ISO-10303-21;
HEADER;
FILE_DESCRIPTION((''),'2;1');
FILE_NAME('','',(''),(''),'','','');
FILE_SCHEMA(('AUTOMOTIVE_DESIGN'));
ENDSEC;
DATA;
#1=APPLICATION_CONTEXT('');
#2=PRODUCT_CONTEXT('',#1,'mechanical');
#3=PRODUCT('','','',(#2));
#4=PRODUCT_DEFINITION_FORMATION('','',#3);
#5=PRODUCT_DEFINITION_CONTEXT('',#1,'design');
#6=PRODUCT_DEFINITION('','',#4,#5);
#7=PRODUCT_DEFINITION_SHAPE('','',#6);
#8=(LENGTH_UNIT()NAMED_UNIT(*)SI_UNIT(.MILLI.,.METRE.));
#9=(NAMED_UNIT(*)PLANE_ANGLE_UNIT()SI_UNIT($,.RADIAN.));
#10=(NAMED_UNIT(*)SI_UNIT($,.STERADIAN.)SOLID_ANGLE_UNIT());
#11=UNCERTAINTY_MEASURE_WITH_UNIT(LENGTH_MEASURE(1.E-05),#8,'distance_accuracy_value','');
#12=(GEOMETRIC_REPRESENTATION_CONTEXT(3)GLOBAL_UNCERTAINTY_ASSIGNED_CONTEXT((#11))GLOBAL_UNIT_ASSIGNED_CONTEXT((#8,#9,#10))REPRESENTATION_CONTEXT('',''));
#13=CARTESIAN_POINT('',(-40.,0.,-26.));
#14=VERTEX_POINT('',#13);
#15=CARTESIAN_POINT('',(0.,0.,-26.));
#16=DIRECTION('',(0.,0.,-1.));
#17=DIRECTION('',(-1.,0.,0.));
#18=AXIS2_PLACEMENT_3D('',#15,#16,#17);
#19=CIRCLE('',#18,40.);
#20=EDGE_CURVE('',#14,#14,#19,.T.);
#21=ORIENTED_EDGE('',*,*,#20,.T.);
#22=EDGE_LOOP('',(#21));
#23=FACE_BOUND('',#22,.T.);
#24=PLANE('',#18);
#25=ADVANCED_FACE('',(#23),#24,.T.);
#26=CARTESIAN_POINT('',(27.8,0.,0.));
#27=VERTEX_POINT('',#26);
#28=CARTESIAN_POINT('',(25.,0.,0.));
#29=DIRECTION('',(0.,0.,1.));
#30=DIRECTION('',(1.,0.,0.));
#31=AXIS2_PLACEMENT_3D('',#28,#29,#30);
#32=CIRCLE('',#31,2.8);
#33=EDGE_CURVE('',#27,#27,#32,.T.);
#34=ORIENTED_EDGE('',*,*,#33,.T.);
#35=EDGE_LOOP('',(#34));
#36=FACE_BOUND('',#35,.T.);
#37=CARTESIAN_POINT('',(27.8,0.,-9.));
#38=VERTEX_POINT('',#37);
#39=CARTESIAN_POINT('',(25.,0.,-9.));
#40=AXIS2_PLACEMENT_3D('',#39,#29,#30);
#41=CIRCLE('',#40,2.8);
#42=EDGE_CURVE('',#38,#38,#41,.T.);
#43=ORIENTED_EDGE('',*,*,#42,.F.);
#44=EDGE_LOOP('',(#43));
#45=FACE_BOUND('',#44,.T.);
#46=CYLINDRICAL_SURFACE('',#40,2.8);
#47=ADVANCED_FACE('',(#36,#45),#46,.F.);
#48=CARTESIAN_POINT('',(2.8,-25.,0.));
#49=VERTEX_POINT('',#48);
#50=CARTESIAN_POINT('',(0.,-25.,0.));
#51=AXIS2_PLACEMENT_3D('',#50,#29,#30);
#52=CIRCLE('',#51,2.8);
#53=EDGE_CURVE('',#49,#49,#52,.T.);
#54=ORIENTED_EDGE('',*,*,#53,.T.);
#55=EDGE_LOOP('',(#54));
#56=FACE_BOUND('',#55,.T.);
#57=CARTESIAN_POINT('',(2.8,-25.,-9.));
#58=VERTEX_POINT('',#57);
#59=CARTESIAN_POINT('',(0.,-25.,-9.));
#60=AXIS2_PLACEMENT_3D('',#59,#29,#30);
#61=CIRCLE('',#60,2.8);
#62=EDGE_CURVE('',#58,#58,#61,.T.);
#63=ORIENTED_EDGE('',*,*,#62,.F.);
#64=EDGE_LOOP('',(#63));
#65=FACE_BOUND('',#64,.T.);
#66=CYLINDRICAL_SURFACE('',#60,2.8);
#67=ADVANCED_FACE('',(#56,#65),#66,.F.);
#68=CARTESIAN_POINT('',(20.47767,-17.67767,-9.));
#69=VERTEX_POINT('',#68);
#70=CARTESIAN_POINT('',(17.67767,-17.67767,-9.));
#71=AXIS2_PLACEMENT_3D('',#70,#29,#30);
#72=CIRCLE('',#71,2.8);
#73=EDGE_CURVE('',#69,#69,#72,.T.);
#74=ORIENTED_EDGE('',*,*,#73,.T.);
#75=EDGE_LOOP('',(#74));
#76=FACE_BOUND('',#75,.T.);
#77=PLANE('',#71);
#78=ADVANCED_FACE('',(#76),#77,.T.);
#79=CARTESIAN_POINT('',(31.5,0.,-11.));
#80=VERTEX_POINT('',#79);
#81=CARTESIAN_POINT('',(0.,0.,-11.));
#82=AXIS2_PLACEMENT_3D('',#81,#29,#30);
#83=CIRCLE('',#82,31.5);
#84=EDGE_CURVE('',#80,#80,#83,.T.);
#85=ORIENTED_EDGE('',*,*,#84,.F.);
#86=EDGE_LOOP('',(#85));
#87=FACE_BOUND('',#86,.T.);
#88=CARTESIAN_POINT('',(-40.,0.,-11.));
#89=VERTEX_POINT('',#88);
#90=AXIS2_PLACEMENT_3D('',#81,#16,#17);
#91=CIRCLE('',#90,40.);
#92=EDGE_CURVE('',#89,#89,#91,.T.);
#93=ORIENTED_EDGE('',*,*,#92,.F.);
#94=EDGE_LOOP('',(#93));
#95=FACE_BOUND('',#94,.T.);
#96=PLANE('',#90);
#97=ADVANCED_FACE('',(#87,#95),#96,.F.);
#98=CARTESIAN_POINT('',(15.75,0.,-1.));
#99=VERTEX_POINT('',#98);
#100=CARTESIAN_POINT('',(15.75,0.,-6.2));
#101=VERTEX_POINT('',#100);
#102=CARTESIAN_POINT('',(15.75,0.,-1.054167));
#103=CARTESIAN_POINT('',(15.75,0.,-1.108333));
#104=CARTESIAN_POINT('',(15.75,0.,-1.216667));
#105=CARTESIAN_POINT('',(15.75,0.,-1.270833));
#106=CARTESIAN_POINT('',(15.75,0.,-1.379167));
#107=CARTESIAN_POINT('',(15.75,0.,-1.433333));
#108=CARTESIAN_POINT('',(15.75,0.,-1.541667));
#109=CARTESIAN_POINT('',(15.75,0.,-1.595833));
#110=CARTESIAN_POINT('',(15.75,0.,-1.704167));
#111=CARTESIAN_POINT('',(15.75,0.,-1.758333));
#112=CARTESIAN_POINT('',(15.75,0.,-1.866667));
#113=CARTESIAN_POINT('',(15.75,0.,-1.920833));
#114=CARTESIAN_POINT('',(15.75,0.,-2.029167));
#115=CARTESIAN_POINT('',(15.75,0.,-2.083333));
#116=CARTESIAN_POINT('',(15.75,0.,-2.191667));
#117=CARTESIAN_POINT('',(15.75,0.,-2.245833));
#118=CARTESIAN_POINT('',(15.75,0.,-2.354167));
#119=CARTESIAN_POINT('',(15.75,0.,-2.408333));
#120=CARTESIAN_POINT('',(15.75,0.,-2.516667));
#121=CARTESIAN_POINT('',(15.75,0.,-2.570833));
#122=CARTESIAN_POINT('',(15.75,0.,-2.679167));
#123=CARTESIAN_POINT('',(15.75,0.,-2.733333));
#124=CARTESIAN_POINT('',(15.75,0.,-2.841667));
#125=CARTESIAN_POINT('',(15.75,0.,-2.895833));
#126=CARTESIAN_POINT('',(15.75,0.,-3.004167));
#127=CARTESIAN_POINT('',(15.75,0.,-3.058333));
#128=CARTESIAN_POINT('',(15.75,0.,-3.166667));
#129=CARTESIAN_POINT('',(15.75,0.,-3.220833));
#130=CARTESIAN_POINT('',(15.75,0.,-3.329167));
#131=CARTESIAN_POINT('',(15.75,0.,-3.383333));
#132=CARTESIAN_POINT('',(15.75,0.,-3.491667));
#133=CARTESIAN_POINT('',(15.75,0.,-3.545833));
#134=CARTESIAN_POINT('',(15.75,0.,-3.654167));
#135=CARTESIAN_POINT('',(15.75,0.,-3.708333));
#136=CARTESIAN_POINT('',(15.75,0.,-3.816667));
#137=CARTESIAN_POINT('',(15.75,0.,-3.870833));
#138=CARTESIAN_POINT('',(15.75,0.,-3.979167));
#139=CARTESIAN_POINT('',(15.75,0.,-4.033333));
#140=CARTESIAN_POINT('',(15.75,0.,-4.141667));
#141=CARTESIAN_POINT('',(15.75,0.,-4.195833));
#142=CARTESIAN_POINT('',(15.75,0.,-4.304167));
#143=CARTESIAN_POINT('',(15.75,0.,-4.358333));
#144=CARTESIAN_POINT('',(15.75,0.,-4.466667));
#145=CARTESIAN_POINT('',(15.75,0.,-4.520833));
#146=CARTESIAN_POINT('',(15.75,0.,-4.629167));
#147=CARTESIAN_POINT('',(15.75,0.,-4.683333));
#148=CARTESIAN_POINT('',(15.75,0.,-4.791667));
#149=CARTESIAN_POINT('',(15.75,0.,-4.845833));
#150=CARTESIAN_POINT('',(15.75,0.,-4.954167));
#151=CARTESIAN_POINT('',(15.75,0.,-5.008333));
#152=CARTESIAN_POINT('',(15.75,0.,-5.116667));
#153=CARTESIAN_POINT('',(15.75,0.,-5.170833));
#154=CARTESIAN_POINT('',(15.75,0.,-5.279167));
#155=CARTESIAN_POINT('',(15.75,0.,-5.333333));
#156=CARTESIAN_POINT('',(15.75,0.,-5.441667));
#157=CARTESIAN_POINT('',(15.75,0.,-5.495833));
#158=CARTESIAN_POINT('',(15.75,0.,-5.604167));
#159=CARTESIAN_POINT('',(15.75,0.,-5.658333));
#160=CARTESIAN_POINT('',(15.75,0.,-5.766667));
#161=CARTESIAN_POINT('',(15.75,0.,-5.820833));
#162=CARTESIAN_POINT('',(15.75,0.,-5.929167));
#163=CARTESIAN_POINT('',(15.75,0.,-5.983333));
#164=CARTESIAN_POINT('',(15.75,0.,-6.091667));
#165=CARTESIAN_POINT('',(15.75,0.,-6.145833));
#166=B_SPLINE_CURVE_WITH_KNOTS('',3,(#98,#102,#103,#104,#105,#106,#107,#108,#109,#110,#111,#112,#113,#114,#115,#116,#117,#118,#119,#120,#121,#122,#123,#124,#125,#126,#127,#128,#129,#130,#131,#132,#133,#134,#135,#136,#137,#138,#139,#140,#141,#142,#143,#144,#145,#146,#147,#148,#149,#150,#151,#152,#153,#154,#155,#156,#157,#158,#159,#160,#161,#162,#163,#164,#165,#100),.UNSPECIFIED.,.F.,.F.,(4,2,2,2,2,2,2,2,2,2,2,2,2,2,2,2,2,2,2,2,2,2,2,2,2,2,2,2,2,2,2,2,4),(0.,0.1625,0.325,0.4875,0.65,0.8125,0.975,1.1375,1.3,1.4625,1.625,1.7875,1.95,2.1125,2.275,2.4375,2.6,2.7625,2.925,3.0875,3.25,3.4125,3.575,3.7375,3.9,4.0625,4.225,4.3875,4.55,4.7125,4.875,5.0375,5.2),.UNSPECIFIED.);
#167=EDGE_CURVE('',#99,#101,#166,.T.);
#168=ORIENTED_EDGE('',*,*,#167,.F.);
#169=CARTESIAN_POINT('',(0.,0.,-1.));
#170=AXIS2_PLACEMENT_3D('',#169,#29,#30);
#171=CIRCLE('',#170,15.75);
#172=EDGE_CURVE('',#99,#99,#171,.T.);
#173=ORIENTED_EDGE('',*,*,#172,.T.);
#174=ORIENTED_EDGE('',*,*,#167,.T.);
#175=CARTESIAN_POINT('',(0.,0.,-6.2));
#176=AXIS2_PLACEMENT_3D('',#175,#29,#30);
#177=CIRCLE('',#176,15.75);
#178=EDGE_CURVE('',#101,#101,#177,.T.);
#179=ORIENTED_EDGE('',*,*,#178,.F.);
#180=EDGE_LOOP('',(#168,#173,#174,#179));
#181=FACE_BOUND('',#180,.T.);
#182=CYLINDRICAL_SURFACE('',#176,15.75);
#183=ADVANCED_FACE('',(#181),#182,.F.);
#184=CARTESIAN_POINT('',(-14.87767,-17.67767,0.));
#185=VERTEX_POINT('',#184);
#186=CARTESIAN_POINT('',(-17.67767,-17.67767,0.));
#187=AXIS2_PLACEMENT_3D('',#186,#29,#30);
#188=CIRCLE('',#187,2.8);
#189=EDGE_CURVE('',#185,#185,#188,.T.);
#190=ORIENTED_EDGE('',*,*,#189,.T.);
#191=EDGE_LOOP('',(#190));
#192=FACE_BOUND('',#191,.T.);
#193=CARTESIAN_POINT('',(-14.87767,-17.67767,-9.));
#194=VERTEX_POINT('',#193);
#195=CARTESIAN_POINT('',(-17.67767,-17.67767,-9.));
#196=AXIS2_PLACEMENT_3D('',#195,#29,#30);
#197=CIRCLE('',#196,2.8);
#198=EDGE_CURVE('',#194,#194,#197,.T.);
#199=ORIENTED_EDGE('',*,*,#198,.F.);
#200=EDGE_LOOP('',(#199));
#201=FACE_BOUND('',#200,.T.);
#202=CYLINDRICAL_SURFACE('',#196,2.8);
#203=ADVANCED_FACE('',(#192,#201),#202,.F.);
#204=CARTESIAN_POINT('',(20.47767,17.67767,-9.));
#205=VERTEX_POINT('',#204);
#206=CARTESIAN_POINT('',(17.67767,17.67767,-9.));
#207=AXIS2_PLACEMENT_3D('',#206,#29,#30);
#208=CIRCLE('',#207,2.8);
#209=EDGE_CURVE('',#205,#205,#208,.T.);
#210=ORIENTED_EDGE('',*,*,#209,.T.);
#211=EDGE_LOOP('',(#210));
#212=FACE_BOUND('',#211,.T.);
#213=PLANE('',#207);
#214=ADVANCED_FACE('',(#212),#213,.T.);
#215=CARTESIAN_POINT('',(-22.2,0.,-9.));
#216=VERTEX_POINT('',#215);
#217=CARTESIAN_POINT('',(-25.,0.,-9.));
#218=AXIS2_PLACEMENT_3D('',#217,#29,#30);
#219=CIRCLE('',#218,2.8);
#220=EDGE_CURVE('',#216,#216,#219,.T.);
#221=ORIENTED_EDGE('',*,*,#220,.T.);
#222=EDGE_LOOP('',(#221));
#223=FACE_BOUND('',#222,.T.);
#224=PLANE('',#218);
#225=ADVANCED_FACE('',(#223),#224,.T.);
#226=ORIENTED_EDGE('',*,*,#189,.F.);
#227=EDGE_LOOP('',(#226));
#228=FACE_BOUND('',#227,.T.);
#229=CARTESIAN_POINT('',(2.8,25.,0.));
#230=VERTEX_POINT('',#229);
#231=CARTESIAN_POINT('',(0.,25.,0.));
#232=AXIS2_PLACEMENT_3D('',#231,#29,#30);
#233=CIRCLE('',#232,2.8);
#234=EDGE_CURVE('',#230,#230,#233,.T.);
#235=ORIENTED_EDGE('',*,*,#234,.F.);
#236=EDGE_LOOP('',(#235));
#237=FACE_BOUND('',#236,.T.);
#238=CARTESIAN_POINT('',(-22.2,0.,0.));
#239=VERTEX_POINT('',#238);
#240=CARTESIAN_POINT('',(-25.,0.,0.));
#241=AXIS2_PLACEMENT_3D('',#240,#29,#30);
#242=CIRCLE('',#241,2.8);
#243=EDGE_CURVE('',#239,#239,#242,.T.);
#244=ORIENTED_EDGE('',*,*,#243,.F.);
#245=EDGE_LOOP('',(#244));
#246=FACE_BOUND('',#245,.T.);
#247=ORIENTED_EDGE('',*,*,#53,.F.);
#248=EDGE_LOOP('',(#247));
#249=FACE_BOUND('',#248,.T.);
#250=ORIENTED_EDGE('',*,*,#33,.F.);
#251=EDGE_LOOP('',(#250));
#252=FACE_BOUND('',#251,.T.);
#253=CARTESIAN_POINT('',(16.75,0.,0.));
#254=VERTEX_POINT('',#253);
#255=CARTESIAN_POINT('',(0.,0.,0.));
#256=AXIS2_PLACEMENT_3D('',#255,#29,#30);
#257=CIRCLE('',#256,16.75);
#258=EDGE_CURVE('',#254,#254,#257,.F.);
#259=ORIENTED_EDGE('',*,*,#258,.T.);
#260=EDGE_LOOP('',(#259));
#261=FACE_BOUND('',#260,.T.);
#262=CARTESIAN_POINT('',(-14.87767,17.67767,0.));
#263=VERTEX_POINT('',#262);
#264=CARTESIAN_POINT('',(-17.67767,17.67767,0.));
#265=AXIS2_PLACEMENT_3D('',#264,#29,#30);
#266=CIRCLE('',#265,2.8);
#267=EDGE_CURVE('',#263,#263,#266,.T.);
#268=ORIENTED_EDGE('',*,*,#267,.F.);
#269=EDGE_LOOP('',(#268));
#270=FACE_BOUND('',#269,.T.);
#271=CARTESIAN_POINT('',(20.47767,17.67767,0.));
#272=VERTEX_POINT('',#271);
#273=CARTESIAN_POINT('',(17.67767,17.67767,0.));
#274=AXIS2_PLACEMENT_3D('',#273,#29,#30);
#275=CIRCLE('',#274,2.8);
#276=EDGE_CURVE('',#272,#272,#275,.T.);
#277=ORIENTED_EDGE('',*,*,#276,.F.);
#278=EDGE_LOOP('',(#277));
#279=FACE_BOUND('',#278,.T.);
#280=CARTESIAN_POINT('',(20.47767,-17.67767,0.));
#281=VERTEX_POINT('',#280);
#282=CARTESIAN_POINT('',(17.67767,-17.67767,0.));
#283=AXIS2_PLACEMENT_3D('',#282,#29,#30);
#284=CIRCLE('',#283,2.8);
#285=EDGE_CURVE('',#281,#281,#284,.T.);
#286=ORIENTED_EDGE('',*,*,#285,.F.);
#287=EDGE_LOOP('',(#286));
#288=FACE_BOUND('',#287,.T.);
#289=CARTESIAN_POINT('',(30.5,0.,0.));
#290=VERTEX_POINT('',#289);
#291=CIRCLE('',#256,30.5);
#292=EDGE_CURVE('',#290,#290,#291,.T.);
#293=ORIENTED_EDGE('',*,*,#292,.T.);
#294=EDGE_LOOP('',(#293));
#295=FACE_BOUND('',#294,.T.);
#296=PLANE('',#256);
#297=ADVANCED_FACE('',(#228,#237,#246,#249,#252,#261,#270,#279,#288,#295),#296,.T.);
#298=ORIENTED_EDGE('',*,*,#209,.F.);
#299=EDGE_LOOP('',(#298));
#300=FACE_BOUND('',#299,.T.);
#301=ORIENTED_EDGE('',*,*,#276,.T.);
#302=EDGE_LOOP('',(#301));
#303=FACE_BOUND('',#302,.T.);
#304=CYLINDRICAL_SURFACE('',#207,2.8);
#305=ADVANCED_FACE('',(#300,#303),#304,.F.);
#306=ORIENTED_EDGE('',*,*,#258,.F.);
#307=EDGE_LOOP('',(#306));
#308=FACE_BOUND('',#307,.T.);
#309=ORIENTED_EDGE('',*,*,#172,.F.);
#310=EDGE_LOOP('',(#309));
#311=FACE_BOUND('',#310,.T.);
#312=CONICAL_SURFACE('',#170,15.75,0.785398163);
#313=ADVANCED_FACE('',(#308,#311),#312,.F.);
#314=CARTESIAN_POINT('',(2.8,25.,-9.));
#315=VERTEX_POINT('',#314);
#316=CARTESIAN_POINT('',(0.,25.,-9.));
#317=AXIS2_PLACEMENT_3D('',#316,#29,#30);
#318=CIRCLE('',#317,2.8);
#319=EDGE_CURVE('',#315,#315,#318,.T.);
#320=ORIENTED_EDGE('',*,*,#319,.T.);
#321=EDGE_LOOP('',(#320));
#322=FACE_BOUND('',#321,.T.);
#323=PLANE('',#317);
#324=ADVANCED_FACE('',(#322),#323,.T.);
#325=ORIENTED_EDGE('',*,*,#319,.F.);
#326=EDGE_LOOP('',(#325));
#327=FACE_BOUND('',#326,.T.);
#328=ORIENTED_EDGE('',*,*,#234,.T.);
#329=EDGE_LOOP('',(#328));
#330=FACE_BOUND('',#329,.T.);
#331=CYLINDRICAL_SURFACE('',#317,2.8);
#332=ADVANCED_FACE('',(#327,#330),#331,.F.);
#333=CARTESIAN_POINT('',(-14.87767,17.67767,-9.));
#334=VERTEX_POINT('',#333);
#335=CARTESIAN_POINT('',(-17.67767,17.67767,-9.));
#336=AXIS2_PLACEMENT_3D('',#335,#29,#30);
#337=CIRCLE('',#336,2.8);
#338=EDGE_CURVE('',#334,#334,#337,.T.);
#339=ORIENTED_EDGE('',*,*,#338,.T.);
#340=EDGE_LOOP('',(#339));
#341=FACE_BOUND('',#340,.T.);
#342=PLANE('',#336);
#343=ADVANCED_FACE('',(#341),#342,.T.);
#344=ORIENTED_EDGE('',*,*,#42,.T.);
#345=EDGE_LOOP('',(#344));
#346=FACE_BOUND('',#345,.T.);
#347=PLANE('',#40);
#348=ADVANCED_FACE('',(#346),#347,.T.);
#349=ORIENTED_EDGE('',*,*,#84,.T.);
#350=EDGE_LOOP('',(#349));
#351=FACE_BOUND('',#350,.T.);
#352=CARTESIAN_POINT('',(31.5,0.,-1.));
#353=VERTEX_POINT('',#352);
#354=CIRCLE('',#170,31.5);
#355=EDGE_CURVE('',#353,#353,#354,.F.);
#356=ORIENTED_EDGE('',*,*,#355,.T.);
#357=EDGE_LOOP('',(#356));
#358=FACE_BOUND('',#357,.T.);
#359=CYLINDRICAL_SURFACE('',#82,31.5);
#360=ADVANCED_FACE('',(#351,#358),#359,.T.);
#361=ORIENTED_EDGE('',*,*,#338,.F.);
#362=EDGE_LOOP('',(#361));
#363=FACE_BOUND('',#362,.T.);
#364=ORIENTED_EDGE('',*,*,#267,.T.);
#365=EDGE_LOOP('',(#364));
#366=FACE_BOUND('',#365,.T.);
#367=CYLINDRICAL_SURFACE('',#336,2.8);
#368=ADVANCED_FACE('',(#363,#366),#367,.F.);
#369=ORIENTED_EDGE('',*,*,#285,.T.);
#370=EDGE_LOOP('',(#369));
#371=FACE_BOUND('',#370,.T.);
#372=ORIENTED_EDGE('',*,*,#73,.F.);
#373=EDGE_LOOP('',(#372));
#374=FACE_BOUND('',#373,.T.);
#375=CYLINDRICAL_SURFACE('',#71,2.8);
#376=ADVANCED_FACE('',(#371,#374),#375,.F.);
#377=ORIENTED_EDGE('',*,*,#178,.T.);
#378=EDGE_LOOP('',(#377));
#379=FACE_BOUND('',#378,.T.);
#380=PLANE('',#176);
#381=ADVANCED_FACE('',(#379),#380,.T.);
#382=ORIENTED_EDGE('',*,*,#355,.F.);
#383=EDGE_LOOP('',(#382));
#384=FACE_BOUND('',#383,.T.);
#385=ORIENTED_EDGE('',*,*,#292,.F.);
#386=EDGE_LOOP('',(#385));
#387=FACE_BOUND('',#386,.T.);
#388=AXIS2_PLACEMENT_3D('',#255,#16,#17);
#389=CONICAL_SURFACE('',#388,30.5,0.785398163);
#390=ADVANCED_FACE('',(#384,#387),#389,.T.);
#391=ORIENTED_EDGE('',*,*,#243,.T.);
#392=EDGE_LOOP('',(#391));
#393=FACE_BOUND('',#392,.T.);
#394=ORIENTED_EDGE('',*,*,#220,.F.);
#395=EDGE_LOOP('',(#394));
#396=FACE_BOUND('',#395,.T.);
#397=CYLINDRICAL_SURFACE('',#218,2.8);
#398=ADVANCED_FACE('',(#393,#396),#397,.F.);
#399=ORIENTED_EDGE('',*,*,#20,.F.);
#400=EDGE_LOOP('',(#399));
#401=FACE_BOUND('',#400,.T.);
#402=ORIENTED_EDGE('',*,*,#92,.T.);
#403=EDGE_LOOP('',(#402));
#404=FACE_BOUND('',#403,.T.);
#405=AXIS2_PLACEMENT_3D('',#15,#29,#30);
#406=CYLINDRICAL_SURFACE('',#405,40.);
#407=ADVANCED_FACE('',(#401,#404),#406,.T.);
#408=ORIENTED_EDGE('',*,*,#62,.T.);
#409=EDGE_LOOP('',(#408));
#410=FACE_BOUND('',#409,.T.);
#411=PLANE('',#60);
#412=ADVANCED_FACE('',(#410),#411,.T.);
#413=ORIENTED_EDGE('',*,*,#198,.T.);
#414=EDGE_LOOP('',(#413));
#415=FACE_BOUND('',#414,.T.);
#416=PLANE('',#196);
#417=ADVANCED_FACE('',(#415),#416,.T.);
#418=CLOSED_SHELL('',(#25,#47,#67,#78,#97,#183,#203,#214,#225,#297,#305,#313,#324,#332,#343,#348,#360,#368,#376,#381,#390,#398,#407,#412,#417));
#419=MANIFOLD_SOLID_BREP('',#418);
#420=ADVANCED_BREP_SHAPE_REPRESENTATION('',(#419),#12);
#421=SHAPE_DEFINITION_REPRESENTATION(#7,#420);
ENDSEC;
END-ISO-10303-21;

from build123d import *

# Parameters (mm, degrees)
SKETCH1_R           = 31.5
BOSS_EXTRUDE1_DEPTH = 11
SKETCH2_R           = 2.8
CUT_EXTRUDE5_DEPTH  = 9
SKETCH4_R           = 15.75
CUT_EXTRUDE6_DEPTH  = 6.2
CHAMFER1_SIZE       = 1
CHAMFER2_SIZE       = 1
SKETCH5_R           = 40
BOSS_EXTRUDE3_DEPTH = 15


with BuildPart() as part:
    # Sketch1 → Boss-Extrude1 (new body)
    with BuildSketch(Plane.XY):
        Circle(SKETCH1_R)
    extrude(amount=-BOSS_EXTRUDE1_DEPTH)

    # Sketch2 → Cut-Extrude5 (cut)
    with BuildSketch(Plane.XY):
        with Locations((0, 25)):
            Circle(SKETCH2_R)
        with Locations((17.67766953, 17.67766953)):
            Circle(SKETCH2_R)
        with Locations((25, 0)):
            Circle(SKETCH2_R)
        with Locations((17.67766953, -17.67766953)):
            Circle(SKETCH2_R)
        with Locations((0, -25)):
            Circle(SKETCH2_R)
        with Locations((-17.67766953, -17.67766953)):
            Circle(SKETCH2_R)
        with Locations((-25, 0)):
            Circle(SKETCH2_R)
        with Locations((-17.67766953, 17.67766953)):
            Circle(SKETCH2_R)
    extrude(amount=-CUT_EXTRUDE5_DEPTH, mode=Mode.SUBTRACT)

    # Sketch4 → Cut-Extrude6 (cut)
    with BuildSketch(Plane.XY):
        Circle(SKETCH4_R)
    extrude(amount=-CUT_EXTRUDE6_DEPTH, mode=Mode.SUBTRACT)

    # Chamfer1
    chamfer1_edges = [part.edges().sort_by_distance(p)[0] for p in [
        (-31.5, 0, 0),
    ]]
    chamfer(chamfer1_edges, length=CHAMFER1_SIZE)

    # Chamfer2
    chamfer2_edges = [part.edges().sort_by_distance(p)[0] for p in [
        (-15.75, 0, 0),
    ]]
    chamfer(chamfer2_edges, length=CHAMFER2_SIZE)

    # Sketch5 → Boss-Extrude3 (add)
    with BuildSketch(Plane(origin=(0, 0, -11), x_dir=(-1, 0, 0), z_dir=(0, 0, -1))):
        Circle(SKETCH5_R)
    extrude(amount=BOSS_EXTRUDE3_DEPTH)


solid = part.part
